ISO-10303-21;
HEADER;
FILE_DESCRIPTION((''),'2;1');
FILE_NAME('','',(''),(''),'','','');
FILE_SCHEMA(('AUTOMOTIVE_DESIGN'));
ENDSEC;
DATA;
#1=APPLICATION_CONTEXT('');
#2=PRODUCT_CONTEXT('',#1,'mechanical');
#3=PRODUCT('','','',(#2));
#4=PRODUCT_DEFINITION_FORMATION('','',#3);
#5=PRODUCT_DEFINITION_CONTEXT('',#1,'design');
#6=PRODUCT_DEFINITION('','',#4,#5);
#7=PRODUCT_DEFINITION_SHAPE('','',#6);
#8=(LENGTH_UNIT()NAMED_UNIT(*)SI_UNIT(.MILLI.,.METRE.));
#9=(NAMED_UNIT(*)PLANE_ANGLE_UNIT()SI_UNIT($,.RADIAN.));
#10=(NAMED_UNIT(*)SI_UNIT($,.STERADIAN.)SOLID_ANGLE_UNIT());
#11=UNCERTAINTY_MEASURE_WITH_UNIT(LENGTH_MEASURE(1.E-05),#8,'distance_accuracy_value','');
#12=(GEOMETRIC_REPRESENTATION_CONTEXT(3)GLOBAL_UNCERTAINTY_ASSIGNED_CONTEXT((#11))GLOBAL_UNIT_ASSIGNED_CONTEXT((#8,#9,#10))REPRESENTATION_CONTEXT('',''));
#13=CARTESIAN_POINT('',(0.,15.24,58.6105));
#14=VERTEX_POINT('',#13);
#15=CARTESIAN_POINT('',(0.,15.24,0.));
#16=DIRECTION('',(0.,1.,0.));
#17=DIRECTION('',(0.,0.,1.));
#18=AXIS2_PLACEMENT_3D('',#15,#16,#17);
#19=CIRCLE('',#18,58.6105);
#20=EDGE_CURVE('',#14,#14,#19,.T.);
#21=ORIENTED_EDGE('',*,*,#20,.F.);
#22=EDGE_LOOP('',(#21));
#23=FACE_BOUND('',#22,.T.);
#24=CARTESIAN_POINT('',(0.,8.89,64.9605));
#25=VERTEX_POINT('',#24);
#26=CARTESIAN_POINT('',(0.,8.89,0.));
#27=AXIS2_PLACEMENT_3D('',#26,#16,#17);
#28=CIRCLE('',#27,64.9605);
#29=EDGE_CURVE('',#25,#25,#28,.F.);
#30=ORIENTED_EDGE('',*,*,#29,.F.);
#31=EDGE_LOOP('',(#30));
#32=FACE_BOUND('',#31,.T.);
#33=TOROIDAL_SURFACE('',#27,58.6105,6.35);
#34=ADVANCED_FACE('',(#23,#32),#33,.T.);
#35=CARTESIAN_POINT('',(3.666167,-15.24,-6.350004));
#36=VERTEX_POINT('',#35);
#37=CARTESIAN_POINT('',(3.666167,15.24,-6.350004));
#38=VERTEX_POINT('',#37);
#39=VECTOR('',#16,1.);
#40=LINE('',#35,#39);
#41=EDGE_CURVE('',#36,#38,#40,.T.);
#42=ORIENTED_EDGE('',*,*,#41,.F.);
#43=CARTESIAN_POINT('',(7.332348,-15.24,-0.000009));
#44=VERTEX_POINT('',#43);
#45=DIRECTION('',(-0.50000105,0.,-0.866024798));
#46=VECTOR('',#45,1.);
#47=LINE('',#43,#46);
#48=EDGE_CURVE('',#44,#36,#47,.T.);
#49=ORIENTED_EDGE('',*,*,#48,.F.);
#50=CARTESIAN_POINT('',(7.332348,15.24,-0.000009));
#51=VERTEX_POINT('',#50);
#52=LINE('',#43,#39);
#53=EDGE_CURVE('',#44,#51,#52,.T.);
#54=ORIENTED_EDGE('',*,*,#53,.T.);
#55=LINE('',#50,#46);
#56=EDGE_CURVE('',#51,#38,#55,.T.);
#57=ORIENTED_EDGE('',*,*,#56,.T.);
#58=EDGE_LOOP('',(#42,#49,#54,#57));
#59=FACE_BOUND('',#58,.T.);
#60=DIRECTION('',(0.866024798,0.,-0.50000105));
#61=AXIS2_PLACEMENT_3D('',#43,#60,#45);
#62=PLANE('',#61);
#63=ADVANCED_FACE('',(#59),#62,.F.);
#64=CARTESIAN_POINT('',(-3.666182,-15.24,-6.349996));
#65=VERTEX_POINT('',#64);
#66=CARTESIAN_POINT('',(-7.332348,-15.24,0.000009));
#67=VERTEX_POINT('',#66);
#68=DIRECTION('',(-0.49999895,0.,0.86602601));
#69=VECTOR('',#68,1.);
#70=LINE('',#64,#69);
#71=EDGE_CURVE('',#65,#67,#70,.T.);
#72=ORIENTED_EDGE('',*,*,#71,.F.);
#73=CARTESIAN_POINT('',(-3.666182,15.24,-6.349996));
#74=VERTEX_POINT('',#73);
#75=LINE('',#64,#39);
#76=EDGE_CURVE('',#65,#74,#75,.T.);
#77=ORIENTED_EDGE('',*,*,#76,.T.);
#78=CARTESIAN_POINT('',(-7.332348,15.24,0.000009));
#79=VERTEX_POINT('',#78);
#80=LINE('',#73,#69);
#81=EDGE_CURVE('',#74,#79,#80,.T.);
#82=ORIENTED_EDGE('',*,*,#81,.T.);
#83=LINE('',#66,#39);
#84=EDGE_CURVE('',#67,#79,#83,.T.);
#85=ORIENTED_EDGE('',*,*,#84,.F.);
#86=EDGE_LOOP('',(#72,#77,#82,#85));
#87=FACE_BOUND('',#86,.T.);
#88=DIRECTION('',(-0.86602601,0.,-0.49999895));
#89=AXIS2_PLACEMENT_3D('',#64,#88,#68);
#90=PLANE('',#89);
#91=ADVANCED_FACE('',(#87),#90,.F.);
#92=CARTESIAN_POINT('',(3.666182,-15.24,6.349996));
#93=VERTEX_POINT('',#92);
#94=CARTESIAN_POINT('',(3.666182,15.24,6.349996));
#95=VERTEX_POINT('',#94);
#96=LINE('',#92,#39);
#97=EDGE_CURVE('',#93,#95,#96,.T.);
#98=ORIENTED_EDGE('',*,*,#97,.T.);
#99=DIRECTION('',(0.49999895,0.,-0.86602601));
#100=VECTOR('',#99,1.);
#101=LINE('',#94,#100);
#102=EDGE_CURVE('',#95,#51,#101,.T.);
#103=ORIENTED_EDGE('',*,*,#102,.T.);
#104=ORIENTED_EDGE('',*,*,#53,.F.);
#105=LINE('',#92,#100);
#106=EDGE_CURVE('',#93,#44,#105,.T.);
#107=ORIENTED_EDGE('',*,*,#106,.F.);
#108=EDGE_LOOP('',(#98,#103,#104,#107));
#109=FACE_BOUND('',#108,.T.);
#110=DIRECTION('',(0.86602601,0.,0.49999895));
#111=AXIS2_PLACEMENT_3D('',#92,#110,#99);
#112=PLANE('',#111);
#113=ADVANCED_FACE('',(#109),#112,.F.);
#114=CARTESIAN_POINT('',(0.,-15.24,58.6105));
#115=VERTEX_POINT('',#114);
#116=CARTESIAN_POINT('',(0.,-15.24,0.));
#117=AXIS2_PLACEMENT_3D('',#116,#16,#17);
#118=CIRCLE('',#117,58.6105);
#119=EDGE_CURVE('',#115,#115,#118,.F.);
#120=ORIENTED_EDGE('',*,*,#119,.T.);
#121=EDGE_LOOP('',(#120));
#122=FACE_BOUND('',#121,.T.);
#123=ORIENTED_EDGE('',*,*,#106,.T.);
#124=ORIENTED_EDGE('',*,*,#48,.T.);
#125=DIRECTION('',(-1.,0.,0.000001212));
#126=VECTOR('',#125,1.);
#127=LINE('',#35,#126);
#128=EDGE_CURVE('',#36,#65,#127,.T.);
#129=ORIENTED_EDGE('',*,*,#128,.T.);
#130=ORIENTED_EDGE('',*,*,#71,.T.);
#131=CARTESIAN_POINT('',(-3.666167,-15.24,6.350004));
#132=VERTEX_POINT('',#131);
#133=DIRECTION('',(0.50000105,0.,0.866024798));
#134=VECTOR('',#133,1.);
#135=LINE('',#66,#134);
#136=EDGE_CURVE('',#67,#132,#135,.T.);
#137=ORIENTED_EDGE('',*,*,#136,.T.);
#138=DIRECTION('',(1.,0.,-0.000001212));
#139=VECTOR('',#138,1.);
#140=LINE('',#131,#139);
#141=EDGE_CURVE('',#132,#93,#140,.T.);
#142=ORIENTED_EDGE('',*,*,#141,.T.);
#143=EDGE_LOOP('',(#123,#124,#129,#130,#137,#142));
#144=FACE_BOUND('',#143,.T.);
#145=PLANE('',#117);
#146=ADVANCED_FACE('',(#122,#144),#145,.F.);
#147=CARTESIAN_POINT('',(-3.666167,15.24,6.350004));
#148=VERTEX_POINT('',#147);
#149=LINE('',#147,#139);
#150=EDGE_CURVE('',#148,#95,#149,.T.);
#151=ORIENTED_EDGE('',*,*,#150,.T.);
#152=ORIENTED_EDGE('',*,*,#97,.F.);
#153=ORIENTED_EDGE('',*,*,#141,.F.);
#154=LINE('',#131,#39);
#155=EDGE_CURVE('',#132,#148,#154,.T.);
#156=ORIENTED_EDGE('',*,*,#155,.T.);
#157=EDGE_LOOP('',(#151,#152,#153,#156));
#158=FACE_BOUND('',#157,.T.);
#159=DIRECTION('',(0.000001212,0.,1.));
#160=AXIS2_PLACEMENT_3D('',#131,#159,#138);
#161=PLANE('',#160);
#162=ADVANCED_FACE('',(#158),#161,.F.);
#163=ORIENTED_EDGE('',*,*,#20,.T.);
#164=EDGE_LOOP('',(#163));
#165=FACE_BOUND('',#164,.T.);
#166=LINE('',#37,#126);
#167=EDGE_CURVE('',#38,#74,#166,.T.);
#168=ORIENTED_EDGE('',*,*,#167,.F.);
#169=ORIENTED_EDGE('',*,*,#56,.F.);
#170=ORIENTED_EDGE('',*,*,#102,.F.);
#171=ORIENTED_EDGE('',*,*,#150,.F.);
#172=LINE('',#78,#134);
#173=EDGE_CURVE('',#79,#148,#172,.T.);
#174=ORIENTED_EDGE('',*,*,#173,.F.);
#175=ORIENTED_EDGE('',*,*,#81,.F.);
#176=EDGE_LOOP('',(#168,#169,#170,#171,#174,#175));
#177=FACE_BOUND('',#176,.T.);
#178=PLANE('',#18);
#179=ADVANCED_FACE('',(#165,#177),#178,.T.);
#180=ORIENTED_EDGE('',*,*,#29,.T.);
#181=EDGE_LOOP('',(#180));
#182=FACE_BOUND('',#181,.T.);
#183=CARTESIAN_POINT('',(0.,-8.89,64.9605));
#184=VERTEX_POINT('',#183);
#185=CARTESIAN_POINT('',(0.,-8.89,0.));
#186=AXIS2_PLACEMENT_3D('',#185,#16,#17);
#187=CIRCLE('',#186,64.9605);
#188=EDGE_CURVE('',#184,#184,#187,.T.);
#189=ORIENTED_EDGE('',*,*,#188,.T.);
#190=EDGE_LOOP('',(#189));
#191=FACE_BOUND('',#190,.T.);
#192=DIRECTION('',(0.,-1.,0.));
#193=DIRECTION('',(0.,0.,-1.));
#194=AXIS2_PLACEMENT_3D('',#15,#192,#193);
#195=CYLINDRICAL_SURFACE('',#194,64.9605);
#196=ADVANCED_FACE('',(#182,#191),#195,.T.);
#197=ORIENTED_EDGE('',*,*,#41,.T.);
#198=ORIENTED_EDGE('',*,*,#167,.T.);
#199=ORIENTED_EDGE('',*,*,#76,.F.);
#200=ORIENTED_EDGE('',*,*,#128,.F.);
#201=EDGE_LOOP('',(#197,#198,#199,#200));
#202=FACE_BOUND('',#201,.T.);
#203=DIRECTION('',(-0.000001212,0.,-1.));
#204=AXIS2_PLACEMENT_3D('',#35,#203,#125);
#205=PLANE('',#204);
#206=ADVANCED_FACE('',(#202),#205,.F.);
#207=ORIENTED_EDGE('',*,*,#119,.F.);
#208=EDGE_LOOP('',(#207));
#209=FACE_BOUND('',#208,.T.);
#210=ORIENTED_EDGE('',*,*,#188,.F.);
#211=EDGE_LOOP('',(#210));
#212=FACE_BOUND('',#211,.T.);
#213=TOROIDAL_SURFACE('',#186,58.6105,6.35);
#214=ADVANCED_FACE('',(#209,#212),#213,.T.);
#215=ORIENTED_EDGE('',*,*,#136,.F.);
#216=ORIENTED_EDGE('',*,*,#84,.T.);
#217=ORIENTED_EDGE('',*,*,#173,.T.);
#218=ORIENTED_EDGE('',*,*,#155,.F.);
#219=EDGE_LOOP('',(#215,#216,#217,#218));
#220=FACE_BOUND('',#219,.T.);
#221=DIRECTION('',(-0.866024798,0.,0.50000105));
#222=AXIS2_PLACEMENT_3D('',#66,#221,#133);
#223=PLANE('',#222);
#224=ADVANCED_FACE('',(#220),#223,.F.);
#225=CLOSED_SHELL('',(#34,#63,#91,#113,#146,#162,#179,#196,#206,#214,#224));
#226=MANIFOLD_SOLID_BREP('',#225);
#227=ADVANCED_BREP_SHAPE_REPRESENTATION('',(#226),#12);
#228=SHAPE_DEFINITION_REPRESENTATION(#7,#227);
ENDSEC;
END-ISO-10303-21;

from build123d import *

# Parameters (mm, degrees)
SKETCH1_R           = 64.9605
BOSS_EXTRUDE1_DEPTH = 15.24
CUT_EXTRUDE1_DEPTH  = 30.48
FILLET1_R           = 6.35


with BuildPart() as part:
    # Sketch1 → Boss-Extrude1 (new, symmetric)
    with BuildSketch(Plane(origin=(0, 0, 0), x_dir=(1, 0, 0), z_dir=(0, 1, 0))):
        Circle(SKETCH1_R)
    extrude(amount=BOSS_EXTRUDE1_DEPTH, both=True)

    # Sketch2 → Cut-Extrude1 (cut)
    with BuildSketch(Plane(origin=(0, 15.24, 0), x_dir=(1, 0, 0), z_dir=(0, 1, 0))):
        Polygon((7.332348419, 8.887e-06), (3.666166513, 6.350004444), (-3.666181906, 6.349995556), (-7.332348419, -8.887e-06), (-3.666166513, -6.350004444), (3.666181906, -6.349995556), align=None)
    extrude(amount=-CUT_EXTRUDE1_DEPTH, mode=Mode.SUBTRACT)

    # Fillet1
    fillet1_edges = [part.edges().sort_by_distance(p)[0] for p in [
        (-64.9605, -15.24, 0),
        (-64.9605, 15.24, 0),
    ]]
    fillet(fillet1_edges, radius=FILLET1_R)


solid = part.part
